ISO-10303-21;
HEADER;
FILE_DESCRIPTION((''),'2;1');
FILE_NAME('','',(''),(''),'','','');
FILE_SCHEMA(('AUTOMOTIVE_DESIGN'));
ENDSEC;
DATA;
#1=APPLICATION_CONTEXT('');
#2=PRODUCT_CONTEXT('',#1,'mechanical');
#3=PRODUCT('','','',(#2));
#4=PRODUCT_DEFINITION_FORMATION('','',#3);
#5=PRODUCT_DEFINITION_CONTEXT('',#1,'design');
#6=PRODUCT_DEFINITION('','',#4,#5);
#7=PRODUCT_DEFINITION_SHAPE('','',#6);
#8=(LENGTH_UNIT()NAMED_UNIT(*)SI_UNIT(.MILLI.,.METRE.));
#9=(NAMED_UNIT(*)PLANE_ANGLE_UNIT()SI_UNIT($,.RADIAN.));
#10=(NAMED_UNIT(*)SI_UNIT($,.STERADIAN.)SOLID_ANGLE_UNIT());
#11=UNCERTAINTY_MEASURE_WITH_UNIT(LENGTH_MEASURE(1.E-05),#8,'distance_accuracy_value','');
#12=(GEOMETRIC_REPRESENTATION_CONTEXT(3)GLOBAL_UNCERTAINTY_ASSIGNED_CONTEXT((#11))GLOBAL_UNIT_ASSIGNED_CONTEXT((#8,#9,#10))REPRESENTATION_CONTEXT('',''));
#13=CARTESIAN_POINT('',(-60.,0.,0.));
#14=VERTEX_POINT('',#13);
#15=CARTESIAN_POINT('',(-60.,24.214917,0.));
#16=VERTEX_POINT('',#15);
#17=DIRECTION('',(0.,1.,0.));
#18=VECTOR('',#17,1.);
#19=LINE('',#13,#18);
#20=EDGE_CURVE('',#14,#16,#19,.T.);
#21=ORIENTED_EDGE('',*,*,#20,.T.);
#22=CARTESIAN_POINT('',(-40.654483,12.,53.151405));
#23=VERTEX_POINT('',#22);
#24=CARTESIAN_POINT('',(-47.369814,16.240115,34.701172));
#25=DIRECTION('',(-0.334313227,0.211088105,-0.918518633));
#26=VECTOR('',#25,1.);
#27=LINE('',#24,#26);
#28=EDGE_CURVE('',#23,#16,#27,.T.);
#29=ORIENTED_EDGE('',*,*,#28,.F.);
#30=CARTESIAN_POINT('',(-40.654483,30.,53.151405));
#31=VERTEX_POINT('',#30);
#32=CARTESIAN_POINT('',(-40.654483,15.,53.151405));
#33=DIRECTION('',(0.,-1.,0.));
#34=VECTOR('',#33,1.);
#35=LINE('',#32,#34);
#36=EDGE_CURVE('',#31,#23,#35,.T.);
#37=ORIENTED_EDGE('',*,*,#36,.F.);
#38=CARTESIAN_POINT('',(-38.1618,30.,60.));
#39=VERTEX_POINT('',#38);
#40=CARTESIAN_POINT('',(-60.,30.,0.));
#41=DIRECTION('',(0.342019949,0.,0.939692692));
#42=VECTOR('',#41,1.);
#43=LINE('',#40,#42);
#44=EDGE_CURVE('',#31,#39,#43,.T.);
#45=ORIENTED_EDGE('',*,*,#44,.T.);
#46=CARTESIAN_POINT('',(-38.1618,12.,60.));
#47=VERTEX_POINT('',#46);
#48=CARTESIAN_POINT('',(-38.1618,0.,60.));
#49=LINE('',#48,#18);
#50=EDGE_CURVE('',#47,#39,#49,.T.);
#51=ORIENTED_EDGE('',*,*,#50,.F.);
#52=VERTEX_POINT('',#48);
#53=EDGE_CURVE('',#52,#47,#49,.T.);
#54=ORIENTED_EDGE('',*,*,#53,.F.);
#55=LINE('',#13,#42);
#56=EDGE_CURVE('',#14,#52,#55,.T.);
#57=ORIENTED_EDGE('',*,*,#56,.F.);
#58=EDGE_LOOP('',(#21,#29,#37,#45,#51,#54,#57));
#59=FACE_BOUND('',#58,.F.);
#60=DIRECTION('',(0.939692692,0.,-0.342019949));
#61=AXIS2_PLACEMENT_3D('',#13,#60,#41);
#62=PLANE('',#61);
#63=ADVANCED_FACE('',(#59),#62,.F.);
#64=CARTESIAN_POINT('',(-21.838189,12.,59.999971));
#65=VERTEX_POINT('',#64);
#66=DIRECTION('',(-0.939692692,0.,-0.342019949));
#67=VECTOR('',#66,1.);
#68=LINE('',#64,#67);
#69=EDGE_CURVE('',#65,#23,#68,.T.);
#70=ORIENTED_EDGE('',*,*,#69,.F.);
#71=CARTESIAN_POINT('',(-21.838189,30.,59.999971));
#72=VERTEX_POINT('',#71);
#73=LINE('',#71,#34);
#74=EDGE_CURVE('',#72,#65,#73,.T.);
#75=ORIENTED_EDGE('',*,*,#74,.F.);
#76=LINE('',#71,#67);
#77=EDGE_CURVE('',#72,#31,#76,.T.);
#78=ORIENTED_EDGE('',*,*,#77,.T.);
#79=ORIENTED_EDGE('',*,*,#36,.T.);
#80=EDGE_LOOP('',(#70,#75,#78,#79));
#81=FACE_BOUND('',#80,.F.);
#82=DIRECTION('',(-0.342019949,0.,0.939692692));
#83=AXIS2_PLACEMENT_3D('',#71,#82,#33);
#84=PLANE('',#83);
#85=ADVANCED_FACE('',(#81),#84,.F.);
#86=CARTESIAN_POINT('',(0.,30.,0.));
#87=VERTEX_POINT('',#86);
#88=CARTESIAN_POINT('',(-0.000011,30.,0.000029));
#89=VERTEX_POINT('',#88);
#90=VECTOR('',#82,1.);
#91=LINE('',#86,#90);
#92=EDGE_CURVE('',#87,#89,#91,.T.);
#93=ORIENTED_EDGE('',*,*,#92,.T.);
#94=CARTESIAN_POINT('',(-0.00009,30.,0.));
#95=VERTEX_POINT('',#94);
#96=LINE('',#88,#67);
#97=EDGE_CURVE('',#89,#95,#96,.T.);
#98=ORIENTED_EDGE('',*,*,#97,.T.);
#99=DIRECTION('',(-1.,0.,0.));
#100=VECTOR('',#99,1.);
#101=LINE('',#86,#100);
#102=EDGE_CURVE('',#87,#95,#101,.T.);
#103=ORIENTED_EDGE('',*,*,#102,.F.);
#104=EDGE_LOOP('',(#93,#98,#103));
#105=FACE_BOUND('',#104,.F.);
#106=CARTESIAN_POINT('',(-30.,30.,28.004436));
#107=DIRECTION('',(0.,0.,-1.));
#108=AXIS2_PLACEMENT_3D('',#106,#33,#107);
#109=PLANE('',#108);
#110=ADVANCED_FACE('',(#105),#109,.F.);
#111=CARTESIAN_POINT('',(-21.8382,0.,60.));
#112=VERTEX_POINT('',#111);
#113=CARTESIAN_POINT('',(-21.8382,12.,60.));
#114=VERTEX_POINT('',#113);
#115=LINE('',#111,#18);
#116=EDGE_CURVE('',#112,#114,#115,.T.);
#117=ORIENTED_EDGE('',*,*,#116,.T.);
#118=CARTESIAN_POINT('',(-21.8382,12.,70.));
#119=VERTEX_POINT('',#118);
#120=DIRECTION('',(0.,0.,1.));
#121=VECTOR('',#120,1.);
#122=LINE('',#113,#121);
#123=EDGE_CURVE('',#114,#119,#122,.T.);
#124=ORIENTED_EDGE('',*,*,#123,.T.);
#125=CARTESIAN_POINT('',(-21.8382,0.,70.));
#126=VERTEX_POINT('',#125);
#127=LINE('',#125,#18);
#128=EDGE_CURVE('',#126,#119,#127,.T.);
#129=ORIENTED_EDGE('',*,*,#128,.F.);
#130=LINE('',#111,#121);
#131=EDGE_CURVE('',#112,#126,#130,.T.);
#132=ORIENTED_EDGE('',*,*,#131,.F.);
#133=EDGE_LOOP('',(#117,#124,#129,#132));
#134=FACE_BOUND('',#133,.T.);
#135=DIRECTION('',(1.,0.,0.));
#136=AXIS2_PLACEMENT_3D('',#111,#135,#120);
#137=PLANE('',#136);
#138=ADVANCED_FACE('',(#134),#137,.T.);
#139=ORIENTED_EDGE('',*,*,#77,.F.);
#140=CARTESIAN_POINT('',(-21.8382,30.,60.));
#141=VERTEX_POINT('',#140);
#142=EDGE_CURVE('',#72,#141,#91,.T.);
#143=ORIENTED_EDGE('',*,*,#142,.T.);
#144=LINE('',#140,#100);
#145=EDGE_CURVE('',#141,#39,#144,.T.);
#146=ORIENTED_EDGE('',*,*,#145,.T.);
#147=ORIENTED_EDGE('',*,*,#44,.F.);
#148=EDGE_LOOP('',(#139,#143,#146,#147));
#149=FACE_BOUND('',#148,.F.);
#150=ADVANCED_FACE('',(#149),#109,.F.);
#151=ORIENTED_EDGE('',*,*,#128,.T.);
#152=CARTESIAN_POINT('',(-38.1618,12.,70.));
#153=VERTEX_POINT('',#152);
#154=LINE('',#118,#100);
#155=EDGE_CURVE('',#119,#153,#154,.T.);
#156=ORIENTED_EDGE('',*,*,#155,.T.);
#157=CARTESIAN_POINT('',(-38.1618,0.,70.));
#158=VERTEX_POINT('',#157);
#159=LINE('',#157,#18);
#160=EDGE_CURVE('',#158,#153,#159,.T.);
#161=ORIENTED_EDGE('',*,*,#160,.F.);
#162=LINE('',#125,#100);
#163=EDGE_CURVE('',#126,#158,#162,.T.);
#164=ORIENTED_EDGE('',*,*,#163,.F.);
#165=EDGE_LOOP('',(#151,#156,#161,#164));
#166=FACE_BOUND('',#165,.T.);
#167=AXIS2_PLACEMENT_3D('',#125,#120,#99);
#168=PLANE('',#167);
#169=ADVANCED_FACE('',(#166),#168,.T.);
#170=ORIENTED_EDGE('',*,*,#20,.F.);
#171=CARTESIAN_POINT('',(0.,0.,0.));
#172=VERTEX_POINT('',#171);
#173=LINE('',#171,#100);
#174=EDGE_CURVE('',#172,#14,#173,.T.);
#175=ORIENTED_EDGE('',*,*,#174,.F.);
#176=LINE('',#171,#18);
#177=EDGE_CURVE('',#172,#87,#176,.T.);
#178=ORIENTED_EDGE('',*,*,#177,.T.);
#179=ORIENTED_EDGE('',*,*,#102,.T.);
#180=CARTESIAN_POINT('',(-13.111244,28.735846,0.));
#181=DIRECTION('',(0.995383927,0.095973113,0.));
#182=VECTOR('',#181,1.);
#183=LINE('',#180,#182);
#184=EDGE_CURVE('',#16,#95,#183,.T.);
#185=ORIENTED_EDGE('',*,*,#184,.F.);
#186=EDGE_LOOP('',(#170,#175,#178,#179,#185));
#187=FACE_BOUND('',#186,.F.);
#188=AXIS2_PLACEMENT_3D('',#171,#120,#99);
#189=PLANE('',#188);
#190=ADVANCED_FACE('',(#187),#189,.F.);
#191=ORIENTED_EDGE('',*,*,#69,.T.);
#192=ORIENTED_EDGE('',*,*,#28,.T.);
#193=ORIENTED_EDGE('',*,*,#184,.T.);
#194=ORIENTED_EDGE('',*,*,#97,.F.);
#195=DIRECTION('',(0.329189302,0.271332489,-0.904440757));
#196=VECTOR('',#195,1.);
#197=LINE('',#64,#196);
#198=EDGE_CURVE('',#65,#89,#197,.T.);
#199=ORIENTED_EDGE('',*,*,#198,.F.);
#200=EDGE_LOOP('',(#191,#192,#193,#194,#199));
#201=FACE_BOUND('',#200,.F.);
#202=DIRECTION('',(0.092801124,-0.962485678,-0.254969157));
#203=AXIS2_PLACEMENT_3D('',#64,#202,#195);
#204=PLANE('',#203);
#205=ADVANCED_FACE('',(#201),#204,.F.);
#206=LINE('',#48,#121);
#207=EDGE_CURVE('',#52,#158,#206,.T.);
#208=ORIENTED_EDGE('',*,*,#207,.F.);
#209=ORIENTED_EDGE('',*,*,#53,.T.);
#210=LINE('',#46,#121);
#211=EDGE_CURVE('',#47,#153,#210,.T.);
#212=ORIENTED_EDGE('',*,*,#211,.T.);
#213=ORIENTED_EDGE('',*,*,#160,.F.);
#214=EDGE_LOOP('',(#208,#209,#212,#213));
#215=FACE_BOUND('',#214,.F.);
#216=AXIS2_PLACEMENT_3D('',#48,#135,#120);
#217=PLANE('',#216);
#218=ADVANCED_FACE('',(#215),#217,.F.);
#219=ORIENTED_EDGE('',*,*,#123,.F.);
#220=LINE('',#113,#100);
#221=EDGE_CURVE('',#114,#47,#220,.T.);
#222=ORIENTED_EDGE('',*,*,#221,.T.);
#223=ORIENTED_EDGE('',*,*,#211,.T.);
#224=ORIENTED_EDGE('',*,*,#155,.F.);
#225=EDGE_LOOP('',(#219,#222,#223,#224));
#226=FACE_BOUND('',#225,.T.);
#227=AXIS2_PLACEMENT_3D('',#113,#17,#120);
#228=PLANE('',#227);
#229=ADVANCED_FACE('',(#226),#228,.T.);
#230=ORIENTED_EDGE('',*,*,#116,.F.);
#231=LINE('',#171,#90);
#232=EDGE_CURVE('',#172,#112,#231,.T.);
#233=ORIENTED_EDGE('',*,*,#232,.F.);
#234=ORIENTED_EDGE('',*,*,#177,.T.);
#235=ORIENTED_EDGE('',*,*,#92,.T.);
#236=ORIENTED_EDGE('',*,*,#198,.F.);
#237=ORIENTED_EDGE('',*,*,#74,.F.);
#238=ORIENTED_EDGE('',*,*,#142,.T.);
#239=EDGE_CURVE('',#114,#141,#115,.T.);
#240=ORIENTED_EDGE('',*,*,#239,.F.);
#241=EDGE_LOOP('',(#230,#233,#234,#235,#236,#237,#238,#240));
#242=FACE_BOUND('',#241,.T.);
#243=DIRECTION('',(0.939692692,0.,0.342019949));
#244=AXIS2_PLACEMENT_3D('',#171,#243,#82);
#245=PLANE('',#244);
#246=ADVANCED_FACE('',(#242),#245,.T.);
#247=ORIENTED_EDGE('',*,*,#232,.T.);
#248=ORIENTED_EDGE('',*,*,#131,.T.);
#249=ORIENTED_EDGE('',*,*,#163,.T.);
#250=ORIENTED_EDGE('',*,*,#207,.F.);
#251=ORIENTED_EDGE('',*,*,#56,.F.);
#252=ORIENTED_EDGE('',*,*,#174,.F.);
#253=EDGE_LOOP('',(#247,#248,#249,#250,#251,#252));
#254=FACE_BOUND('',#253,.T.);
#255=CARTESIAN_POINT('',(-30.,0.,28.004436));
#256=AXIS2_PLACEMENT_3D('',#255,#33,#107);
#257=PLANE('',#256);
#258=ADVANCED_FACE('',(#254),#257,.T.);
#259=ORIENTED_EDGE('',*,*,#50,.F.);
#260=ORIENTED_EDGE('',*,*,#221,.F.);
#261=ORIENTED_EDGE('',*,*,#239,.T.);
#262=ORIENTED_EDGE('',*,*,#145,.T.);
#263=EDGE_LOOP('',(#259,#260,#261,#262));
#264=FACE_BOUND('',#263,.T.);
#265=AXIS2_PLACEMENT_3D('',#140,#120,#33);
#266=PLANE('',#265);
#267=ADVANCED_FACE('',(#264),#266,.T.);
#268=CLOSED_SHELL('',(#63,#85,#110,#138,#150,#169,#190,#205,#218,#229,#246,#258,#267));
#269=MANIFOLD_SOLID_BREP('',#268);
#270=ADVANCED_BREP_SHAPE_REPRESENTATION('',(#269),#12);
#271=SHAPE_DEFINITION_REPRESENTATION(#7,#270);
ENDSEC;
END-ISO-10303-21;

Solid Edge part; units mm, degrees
sketch "Sketch1" plane through (0, 0, 0) normal (0, -1, 0) x (1, 0, 0)
  line L0 (0, 0) -> (-21.8382, 60)
  line L1 (-21.8382, 60) -> (-21.8382, 70)
  line L2 (-21.8382, 70) -> (-38.1618, 70)
  line L3 (-38.1618, 60) -> (-38.1618, 70)
  line L4 (-60, 0) -> (-38.1618, 60)
  line L5 (0, 0) -> (-60, 0)
extrude "Protrusion1" add sketch "Sketch1" against normal blind 30
sketch "Sketch2" plane through (-21.8382, 15, 65) normal (1, 0, 0) x (0, 0, 1)
  line L0 (-5, 3) -> (5, 3)
  line L1 (5, 3) -> (5, -15)
  line L2 (5, -15) -> (-5, -15)
  line L3 (-5, -15) -> (-5, 3)
extrude "ExtrudedCutout_2" cut sketch "Sketch2" against normal blind 20
sketch "Sketch3" plane through (-10.9191, 15, 30) normal (0.9397, 0, 0.342) x (0, 1, 0)
  line L0 (-3, 31.9253) -> (15, -31.9253)
  line L1 (15, -31.9253) -> (15, 31.9253)
  line L2 (15, 31.9253) -> (-3, 31.9253)
extrude "ExtrudedCutout_3" cut sketch "Sketch3" against normal blind 68.6414
